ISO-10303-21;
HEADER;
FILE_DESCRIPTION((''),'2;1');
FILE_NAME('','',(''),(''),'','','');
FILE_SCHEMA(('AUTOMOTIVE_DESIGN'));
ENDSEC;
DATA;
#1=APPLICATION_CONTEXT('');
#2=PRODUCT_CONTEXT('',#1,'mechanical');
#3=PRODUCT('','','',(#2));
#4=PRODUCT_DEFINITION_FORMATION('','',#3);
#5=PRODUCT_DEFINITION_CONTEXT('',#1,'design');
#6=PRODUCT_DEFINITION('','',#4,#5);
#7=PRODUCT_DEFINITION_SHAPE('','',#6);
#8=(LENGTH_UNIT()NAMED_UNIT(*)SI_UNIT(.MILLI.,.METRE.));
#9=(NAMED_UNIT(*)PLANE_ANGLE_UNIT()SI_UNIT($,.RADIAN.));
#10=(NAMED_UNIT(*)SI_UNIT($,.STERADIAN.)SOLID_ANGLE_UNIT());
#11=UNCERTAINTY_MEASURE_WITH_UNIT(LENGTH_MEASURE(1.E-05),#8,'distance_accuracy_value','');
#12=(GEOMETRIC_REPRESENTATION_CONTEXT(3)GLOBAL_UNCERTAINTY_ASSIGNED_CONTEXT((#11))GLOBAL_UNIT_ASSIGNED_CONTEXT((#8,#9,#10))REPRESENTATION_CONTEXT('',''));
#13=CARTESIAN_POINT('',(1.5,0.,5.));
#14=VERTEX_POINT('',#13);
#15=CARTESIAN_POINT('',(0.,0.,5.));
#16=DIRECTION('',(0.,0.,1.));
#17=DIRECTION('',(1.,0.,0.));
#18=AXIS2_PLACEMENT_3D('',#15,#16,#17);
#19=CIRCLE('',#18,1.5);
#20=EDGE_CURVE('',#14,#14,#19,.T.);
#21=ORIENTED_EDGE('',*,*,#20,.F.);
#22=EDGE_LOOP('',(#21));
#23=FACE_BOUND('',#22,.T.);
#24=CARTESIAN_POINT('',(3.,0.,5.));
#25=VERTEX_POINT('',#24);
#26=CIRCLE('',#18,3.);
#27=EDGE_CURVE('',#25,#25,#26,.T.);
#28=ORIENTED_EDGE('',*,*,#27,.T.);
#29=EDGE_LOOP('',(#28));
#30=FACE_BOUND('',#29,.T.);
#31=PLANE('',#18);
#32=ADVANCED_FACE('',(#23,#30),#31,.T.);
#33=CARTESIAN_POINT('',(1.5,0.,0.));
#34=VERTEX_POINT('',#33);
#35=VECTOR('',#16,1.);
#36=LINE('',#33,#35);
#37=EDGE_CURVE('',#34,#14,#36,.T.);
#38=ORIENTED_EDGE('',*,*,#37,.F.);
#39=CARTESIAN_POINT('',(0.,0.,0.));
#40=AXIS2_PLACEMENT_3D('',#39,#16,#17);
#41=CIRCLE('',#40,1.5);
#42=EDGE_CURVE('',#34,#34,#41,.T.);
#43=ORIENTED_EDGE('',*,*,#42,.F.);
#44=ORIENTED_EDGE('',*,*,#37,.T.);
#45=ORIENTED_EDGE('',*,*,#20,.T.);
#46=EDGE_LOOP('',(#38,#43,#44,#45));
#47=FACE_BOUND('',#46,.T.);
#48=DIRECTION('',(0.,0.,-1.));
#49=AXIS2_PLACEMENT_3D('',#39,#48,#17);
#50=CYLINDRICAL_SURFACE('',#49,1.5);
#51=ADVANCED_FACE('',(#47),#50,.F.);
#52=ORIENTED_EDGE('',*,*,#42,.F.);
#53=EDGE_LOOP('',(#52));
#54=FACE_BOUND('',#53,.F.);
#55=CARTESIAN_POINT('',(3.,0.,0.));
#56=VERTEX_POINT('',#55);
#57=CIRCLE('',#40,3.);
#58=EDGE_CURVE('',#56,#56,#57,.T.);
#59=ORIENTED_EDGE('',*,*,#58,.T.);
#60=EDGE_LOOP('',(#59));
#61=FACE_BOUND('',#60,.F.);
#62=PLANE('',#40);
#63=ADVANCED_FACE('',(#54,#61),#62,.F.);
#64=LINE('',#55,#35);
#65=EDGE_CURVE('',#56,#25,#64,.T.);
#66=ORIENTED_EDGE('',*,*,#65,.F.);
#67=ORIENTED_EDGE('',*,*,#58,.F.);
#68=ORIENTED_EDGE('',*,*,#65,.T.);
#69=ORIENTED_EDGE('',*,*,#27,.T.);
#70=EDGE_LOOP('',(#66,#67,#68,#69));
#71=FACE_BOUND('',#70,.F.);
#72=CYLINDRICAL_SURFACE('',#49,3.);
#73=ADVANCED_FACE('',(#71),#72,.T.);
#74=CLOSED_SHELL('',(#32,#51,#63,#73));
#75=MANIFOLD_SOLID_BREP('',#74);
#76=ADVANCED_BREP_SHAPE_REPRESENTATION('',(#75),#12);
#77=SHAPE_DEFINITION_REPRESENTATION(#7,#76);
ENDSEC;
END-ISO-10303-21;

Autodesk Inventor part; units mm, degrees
ref_plane "YZ Plane" through (0, 0, 0) normal (1, 0, 0) x (0, 1, 0)
ref_plane "XZ Plane" through (0, 0, 0) normal (0, 1, 0) x (-1, 0, 0)
ref_plane "XY Plane" through (0, 0, 0) normal (0, 0, 1) x (1, 0, 0)
sketch "スケッチ1" plane through (0, 0, 0) normal (0, 0, 1) x (1, 0, 0)
  circle A0 centre (0, 0) radius 3
  circle A1 centre (0, 0) radius 1.5
  dimension "d0" = 6
  dimension "d1" = 3
extrude "押し出し1" add sketch "スケッチ1" along normal blind 5
properties part number "スペーサーm3-足調整用２　簡易筒型" material "アルミニウム 2014-T4"
